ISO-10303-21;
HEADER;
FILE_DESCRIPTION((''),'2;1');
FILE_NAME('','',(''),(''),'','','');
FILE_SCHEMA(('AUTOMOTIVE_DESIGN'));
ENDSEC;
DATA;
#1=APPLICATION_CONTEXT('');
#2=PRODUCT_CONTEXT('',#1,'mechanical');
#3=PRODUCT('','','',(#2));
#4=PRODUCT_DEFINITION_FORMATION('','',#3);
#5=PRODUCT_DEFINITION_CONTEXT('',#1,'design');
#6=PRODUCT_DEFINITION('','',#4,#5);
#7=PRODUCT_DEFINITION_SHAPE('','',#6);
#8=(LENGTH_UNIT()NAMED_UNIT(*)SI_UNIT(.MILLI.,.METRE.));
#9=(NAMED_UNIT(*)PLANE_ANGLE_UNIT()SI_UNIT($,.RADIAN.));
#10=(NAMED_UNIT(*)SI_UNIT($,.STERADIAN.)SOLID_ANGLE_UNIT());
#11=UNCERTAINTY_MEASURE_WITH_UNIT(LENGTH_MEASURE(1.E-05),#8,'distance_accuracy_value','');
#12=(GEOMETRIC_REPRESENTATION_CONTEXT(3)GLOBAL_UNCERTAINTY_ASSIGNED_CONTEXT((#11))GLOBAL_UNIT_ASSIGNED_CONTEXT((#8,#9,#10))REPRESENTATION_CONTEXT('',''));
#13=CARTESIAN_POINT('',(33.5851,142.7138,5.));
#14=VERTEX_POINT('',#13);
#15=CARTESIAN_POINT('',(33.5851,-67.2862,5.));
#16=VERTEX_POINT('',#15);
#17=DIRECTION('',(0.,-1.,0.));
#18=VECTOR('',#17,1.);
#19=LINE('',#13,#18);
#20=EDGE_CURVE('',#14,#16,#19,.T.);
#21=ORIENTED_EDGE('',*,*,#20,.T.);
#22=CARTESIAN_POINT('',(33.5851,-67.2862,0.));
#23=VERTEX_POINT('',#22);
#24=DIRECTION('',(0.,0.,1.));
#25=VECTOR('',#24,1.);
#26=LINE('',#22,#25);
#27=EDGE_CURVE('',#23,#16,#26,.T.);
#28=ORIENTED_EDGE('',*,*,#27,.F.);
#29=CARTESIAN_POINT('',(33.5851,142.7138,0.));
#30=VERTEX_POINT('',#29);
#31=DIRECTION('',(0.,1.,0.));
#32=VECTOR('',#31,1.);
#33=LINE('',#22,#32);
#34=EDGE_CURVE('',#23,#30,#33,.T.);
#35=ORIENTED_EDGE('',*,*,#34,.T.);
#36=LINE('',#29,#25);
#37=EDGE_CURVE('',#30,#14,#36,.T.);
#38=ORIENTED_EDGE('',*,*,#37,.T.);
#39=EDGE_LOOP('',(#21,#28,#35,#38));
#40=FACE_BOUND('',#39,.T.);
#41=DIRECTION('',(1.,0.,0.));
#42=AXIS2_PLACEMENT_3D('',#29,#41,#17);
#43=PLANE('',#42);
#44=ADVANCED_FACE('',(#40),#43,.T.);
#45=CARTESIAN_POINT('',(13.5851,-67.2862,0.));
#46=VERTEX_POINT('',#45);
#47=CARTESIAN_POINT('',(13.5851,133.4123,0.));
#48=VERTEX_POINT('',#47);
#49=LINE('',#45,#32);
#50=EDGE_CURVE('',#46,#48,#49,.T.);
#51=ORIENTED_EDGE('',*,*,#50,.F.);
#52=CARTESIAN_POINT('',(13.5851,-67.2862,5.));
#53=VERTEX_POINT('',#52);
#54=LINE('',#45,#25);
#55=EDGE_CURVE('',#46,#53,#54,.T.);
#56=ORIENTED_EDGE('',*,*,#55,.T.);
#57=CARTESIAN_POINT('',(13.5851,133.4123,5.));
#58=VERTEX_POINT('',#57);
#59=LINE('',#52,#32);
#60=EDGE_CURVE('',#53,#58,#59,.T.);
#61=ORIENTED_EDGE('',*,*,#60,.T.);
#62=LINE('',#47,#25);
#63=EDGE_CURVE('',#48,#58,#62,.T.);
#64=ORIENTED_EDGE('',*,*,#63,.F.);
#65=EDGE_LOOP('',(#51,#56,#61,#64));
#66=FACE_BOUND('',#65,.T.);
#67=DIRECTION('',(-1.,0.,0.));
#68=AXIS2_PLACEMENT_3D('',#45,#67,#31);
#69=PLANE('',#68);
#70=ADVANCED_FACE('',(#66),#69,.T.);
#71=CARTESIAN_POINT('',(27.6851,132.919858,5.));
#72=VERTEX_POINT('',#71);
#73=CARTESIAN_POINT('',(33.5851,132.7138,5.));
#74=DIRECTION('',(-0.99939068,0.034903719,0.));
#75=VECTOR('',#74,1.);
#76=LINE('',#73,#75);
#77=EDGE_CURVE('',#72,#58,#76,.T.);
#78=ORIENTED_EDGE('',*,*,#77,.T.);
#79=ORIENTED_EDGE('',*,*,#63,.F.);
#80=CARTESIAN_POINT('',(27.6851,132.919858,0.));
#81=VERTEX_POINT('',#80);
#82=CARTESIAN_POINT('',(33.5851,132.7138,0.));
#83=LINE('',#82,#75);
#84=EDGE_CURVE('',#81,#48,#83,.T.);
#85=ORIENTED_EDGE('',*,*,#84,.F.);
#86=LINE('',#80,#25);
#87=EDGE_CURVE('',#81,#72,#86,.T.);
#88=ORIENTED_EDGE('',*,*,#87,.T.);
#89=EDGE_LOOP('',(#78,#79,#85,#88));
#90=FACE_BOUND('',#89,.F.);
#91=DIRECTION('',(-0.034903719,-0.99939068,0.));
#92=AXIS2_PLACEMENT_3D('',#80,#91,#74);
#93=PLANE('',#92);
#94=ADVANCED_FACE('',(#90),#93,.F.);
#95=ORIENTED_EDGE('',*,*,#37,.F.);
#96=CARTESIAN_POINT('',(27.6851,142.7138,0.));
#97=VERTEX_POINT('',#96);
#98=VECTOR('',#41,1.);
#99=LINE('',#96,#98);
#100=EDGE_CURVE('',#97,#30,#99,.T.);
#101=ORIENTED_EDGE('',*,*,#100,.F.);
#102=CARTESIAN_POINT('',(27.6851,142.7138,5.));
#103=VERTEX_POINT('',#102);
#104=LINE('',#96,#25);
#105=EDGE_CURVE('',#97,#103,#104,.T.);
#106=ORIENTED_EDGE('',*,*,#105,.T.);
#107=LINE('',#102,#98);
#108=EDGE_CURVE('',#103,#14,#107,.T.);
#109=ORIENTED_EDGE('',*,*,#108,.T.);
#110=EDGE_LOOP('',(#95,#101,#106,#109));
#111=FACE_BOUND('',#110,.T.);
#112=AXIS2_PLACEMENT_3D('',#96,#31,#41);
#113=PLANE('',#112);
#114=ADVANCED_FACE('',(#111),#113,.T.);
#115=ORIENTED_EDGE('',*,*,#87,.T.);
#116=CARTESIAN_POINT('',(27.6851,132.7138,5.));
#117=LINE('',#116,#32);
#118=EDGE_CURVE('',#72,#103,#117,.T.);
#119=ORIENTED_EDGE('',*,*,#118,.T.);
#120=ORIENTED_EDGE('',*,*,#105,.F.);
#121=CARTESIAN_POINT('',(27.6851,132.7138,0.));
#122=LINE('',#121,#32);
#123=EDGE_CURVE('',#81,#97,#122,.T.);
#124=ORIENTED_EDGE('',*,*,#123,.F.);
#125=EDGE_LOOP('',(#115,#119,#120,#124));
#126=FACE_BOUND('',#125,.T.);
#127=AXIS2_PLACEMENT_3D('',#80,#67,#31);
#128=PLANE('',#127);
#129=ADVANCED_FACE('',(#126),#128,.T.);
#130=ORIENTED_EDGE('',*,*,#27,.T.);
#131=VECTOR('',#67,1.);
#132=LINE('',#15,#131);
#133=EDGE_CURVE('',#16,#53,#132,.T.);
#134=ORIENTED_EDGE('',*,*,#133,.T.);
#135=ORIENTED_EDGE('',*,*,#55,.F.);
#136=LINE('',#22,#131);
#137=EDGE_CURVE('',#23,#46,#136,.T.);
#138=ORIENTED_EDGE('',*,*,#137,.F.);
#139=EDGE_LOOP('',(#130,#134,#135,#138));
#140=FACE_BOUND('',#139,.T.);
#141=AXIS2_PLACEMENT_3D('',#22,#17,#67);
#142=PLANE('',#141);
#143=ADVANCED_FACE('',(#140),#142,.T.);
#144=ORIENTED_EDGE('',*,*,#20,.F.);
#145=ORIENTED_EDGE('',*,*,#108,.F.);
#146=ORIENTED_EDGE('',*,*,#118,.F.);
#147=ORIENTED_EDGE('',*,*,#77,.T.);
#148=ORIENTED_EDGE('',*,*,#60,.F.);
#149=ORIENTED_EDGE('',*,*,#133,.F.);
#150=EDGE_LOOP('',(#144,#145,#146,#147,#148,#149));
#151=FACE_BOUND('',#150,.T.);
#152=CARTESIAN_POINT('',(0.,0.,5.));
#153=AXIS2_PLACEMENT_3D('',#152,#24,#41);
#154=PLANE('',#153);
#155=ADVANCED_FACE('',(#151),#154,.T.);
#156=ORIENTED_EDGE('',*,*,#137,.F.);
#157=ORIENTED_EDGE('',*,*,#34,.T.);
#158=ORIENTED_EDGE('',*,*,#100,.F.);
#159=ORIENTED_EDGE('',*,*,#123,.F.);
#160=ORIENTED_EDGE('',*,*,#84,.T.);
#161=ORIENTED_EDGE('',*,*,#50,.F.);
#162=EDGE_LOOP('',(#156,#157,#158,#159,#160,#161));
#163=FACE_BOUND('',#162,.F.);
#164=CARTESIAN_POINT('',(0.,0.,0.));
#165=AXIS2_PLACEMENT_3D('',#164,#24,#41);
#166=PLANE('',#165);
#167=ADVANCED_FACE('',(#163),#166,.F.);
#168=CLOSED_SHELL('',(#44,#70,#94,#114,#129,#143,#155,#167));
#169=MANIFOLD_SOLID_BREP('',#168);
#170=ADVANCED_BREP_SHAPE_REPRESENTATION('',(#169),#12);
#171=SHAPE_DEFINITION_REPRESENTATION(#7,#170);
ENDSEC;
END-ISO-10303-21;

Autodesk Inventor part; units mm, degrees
ref_plane "YZ Plane" through (0, 0, 0) normal (1, 0, 0) x (0, 1, 0)
ref_plane "XZ Plane" through (0, 0, 0) normal (0, 1, 0) x (-1, 0, 0)
ref_plane "XY Plane" through (0, 0, 0) normal (0, 0, 1) x (1, 0, 0)
sketch "Sketch1" plane through (0, 0, 0) normal (0, 0, 1) x (1, 0, 0)
  line L0 (27.6851, 142.7138) -> (33.5851, 142.7138)
  line L1 (33.5851, 142.7138) -> (33.5851, 132.7138)
  line L2 (33.5851, 132.7138) -> (27.6851, 132.7138)
  line L3 (27.6851, 132.7138) -> (27.6851, 142.7138)
  line L4 (33.5851, 132.7138) -> (33.5851, -67.2862)
  line L5 (33.5851, -67.2862) -> (13.5851, -67.2862)
  line L6 (13.5851, -67.2862) -> (13.5851, 133.4123)
  line L7 (33.5851, 132.7138) -> (13.5851, 133.4123)
  line L8 (33.5851, 132.7138) -> (53.5973, 132.7138) construction
  point P0 (0, 0)
  point P1 (27.6851, 132.9199)
  dimension "d0" = 5.9
  dimension "d1" = 10
  dimension "d2" = 200
  dimension "d3" = 20
  dimension "d4" = 178
extrude "Extrusion1" add sketch "Sketch1" along normal blind 5
properties part number "protostand2"
